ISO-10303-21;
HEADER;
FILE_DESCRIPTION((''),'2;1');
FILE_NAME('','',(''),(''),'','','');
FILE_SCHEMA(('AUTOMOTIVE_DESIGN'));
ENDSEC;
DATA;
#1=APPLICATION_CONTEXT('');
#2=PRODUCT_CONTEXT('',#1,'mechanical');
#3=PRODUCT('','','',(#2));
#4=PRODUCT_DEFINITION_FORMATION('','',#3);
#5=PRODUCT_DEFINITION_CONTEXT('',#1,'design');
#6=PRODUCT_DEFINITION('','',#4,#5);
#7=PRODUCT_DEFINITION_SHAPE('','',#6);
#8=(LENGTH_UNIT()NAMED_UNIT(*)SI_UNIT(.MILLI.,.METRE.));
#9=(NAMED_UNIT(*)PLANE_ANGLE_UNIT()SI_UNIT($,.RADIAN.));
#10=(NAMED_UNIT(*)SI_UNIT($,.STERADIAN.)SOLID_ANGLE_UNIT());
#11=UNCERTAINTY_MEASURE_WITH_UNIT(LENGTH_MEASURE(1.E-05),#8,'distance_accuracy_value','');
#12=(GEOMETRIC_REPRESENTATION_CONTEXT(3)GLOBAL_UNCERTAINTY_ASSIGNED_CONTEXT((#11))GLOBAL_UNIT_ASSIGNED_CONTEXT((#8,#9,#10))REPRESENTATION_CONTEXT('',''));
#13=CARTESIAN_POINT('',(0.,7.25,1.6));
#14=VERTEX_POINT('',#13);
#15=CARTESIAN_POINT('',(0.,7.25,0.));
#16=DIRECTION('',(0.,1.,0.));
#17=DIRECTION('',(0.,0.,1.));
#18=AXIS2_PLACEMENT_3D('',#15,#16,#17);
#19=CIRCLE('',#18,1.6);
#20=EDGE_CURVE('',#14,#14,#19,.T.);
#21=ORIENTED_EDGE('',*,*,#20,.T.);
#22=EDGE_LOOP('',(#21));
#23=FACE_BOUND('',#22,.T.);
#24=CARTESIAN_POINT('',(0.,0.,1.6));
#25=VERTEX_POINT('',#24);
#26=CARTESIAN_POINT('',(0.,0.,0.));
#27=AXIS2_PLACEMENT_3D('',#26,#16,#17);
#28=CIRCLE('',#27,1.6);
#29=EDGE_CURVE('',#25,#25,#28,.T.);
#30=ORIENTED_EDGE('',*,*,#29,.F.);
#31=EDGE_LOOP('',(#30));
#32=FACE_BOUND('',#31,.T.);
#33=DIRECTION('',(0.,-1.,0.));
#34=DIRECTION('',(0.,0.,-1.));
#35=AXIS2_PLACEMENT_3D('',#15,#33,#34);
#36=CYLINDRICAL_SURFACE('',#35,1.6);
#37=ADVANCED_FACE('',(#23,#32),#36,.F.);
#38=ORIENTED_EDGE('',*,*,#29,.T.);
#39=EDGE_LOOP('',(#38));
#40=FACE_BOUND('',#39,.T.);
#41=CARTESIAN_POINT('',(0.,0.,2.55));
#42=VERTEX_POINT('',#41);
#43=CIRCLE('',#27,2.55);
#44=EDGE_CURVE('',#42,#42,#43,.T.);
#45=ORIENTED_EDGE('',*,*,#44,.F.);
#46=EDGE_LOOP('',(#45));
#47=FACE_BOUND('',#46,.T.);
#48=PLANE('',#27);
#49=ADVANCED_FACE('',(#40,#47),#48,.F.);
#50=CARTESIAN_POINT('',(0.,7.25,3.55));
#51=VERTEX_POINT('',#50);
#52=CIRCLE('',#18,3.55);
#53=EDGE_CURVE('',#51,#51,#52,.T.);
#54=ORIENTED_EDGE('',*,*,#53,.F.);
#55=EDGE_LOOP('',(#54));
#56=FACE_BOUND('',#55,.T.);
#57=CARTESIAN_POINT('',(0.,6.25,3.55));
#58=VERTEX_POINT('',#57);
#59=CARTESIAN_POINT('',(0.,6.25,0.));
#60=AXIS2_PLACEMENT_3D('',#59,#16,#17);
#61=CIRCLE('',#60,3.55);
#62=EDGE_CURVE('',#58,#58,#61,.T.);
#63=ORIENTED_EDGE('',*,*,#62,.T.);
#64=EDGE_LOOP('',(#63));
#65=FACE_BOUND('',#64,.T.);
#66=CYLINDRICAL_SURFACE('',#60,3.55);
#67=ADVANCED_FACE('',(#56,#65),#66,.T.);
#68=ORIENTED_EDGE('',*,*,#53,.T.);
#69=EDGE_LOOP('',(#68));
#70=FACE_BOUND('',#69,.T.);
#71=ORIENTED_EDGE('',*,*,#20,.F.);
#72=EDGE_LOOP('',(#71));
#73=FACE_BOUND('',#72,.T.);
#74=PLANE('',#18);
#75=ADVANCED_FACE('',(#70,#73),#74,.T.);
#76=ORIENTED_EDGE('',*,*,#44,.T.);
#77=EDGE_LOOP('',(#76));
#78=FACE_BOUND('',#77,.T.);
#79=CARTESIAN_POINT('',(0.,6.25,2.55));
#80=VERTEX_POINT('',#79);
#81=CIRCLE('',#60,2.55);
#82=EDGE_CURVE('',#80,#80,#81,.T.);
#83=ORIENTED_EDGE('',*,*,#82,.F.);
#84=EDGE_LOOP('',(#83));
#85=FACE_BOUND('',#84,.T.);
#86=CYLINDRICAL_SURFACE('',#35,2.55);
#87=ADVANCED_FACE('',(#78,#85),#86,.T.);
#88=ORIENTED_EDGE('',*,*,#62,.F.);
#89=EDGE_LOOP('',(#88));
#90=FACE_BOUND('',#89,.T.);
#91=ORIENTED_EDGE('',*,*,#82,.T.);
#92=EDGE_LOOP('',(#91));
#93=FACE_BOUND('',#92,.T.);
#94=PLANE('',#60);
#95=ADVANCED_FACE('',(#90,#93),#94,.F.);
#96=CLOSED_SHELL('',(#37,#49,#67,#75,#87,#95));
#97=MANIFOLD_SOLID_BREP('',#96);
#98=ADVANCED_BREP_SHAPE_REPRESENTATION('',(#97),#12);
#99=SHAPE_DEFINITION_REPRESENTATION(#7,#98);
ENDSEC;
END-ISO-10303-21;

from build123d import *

# Parameters (mm, degrees)
SKETCH1_R           = 2.55
SKETCH1_R_2         = 1.6
BOSS_EXTRUDE1_DEPTH = 7.25
SKETCH2_R           = 3.55
SKETCH2_R_2         = 1.6
BOSS_EXTRUDE2_DEPTH = 1


with BuildPart() as part:
    # Sketch1 → Boss-Extrude1 (new body)
    with BuildSketch(Plane(origin=(0, 0, 0), x_dir=(1, 0, 0), z_dir=(0, 1, 0))):
        Circle(SKETCH1_R)
        Circle(SKETCH1_R_2, mode=Mode.SUBTRACT)
    extrude(amount=BOSS_EXTRUDE1_DEPTH)

    # Sketch2 → Boss-Extrude2 (add)
    with BuildSketch(Plane(origin=(0, 7.25, 0), x_dir=(1, 0, 0), z_dir=(0, 1, 0))):
        Circle(SKETCH2_R)
        Circle(SKETCH2_R_2, mode=Mode.SUBTRACT)
    extrude(amount=-BOSS_EXTRUDE2_DEPTH)


solid = part.part
